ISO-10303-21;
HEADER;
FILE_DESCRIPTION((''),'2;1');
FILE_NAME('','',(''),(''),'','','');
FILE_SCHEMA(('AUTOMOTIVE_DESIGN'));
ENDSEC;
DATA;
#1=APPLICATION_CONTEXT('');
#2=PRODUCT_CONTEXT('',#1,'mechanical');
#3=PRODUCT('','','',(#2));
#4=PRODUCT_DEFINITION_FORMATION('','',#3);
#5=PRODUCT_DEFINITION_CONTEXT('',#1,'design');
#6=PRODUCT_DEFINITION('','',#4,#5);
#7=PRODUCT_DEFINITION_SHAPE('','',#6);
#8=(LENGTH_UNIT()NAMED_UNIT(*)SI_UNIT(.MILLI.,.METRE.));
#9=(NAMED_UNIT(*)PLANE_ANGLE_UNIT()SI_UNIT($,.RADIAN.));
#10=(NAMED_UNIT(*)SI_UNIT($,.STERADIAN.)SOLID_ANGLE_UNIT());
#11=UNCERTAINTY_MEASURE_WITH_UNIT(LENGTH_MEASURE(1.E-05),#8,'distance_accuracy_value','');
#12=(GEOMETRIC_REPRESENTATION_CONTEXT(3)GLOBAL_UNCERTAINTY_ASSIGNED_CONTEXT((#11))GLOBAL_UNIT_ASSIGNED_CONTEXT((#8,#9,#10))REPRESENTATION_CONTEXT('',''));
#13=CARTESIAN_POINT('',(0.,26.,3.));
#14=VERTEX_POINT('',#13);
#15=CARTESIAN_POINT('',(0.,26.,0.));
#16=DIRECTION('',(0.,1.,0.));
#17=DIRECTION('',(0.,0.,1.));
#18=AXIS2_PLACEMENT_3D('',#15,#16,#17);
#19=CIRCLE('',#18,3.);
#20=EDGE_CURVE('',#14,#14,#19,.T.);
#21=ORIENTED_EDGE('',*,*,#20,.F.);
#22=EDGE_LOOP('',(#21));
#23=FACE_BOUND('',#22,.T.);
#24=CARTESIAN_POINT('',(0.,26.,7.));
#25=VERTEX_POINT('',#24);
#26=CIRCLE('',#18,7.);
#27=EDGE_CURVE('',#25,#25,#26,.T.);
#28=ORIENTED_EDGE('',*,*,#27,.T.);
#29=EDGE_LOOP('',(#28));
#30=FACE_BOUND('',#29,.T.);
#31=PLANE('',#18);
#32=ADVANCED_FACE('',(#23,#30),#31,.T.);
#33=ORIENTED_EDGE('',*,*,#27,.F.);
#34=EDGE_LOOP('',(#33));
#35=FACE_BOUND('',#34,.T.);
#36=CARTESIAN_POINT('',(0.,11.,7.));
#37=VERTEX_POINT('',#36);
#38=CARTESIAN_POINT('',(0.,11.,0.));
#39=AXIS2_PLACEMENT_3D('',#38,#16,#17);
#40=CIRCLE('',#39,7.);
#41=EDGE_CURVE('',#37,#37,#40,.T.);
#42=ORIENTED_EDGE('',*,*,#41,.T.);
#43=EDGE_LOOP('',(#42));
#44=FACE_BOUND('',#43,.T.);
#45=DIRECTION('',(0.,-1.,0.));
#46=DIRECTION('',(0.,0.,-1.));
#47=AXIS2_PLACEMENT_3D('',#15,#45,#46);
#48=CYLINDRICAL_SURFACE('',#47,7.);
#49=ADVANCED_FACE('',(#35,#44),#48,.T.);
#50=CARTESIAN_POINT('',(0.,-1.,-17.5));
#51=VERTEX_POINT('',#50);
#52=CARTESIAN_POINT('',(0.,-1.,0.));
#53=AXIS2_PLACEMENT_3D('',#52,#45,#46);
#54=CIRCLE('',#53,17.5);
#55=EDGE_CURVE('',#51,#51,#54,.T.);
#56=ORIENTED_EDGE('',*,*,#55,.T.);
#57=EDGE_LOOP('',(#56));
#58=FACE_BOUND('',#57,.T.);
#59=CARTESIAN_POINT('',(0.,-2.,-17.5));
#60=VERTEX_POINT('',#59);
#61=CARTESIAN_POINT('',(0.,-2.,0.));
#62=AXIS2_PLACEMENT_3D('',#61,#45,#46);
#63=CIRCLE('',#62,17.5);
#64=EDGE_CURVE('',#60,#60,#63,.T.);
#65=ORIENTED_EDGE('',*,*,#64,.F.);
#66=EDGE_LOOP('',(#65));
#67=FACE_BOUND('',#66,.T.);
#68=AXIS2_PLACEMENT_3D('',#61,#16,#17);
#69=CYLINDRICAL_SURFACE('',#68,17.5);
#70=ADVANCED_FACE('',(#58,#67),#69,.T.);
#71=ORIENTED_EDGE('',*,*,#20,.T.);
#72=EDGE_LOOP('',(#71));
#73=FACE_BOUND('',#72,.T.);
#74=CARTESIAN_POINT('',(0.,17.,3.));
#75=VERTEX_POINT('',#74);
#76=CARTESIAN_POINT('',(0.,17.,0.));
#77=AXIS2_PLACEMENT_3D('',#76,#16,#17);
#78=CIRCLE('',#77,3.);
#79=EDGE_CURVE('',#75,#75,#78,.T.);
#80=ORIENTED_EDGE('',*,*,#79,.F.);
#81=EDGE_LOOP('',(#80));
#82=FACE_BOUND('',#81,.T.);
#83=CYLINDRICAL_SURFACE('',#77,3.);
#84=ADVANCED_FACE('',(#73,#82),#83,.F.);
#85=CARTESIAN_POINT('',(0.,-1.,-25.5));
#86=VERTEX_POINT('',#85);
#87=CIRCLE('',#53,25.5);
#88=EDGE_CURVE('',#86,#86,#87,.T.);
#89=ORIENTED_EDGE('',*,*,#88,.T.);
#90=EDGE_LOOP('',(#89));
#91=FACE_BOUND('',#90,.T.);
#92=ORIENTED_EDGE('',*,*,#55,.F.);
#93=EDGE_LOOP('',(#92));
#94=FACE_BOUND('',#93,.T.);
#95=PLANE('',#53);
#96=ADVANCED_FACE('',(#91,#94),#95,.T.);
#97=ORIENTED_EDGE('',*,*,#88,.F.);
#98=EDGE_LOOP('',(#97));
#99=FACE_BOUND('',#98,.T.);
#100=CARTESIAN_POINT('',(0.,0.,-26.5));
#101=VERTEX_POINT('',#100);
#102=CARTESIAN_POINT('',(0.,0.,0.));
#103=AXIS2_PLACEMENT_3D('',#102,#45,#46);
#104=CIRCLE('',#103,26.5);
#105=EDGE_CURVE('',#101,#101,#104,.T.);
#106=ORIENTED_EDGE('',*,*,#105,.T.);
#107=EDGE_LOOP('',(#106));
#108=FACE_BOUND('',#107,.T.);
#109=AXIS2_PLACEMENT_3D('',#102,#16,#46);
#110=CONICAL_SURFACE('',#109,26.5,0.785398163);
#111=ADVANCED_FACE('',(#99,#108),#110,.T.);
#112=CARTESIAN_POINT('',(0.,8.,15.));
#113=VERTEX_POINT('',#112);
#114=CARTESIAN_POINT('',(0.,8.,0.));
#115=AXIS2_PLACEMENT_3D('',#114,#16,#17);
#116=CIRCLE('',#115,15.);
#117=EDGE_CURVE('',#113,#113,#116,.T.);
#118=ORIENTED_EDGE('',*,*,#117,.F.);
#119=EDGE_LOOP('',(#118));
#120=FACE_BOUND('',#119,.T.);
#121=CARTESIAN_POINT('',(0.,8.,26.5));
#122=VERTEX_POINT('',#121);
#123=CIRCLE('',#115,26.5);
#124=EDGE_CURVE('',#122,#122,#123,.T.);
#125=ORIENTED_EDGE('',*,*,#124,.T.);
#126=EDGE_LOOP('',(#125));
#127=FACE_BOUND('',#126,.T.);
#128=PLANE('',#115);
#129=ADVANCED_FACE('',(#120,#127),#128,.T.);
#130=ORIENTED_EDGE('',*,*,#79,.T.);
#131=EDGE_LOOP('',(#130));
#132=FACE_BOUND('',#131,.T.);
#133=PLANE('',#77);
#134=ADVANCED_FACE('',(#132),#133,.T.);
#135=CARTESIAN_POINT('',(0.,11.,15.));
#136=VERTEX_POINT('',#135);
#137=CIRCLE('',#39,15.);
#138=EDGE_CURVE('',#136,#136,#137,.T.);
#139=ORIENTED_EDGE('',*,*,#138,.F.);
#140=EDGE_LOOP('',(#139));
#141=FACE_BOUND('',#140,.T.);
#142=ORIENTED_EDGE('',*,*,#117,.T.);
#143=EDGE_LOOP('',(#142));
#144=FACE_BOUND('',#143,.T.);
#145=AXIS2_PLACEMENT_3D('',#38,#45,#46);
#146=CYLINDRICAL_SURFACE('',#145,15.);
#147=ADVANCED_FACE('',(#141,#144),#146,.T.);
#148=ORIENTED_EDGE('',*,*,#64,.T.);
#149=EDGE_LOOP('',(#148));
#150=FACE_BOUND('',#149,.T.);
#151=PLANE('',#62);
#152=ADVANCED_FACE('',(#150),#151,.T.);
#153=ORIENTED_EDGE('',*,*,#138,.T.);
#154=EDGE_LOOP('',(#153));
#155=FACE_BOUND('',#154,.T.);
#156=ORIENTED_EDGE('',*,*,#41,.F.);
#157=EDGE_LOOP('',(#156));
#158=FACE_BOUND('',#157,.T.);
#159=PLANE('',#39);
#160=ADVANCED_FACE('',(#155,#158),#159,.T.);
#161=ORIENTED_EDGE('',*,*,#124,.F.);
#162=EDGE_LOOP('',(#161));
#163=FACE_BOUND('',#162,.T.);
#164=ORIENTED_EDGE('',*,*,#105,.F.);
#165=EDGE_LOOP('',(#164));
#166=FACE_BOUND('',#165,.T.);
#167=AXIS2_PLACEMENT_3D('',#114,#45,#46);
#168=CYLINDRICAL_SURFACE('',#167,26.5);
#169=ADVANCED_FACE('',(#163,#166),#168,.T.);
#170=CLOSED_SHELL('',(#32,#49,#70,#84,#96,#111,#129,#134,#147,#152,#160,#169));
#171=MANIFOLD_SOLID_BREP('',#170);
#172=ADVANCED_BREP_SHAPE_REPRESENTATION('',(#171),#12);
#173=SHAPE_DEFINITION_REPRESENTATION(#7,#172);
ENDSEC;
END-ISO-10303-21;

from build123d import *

# Parameters (mm, degrees)
CROQUIS2_R              = 26.5
SALIENTE_EXTRUIR1_DEPTH = 8
CROQUIS3_R              = 26.5
SALIENTE_EXTRUIR2_DEPTH = 1
SALIENTE_EXTRUIR2_TAPER = 45
CROQUIS4_R              = 17.5
SALIENTE_EXTRUIR3_DEPTH = 1
CROQUIS5_R              = 15
SALIENTE_EXTRUIR4_DEPTH = 3
CROQUIS6_R              = 7
SALIENTE_EXTRUIR5_DEPTH = 15
CROQUIS7_R              = 3
CORTAR_EXTRUIR1_DEPTH   = 9


with BuildPart() as part:
    # Croquis2 → Saliente-Extruir1 (new body)
    with BuildSketch(Plane(origin=(0, 0, 0), x_dir=(1, 0, 0), z_dir=(0, 1, 0))):
        with Locations(Location((0, 0, 0), (0, 0, 270))):
            Circle(CROQUIS2_R)
    extrude(amount=SALIENTE_EXTRUIR1_DEPTH)

    # Croquis3 → Saliente-Extruir2 (add)
    with BuildSketch(Plane(origin=(0, 0, 0), x_dir=(-1, 0, 0), z_dir=(0, -1, 0))):
        with Locations(Location((0, 0, 0), (0, 0, 90))):
            Circle(CROQUIS3_R)
    extrude(amount=SALIENTE_EXTRUIR2_DEPTH, taper=SALIENTE_EXTRUIR2_TAPER)

    # Croquis4 → Saliente-Extruir3 (add)
    with BuildSketch(Plane(origin=(0, -1, 0), x_dir=(-1, 0, 0), z_dir=(0, -1, 0))):
        with Locations(Location((0, 0, 0), (0, 0, 90))):
            Circle(CROQUIS4_R)
    extrude(amount=SALIENTE_EXTRUIR3_DEPTH)

    # Croquis5 → Saliente-Extruir4 (add)
    with BuildSketch(Plane(origin=(0, 8, 0), x_dir=(1, 0, 0), z_dir=(0, 1, 0))):
        with Locations(Location((0, 0, 0), (0, 0, 270))):
            Circle(CROQUIS5_R)
    extrude(amount=SALIENTE_EXTRUIR4_DEPTH)

    # Croquis6 → Saliente-Extruir5 (add)
    with BuildSketch(Plane(origin=(0, 11, 0), x_dir=(1, 0, 0), z_dir=(0, 1, 0))):
        with Locations(Location((0, 0, 0), (0, 0, 270))):
            Circle(CROQUIS6_R)
    extrude(amount=SALIENTE_EXTRUIR5_DEPTH)

    # Croquis7 → Cortar-Extruir1 (cut)
    with BuildSketch(Plane(origin=(0, 26, 0), x_dir=(1, 0, 0), z_dir=(0, 1, 0))):
        with Locations(Location((0, 0, 0), (0, 0, 270))):
            Circle(CROQUIS7_R)
    extrude(amount=-CORTAR_EXTRUIR1_DEPTH, mode=Mode.SUBTRACT)


solid = part.part
